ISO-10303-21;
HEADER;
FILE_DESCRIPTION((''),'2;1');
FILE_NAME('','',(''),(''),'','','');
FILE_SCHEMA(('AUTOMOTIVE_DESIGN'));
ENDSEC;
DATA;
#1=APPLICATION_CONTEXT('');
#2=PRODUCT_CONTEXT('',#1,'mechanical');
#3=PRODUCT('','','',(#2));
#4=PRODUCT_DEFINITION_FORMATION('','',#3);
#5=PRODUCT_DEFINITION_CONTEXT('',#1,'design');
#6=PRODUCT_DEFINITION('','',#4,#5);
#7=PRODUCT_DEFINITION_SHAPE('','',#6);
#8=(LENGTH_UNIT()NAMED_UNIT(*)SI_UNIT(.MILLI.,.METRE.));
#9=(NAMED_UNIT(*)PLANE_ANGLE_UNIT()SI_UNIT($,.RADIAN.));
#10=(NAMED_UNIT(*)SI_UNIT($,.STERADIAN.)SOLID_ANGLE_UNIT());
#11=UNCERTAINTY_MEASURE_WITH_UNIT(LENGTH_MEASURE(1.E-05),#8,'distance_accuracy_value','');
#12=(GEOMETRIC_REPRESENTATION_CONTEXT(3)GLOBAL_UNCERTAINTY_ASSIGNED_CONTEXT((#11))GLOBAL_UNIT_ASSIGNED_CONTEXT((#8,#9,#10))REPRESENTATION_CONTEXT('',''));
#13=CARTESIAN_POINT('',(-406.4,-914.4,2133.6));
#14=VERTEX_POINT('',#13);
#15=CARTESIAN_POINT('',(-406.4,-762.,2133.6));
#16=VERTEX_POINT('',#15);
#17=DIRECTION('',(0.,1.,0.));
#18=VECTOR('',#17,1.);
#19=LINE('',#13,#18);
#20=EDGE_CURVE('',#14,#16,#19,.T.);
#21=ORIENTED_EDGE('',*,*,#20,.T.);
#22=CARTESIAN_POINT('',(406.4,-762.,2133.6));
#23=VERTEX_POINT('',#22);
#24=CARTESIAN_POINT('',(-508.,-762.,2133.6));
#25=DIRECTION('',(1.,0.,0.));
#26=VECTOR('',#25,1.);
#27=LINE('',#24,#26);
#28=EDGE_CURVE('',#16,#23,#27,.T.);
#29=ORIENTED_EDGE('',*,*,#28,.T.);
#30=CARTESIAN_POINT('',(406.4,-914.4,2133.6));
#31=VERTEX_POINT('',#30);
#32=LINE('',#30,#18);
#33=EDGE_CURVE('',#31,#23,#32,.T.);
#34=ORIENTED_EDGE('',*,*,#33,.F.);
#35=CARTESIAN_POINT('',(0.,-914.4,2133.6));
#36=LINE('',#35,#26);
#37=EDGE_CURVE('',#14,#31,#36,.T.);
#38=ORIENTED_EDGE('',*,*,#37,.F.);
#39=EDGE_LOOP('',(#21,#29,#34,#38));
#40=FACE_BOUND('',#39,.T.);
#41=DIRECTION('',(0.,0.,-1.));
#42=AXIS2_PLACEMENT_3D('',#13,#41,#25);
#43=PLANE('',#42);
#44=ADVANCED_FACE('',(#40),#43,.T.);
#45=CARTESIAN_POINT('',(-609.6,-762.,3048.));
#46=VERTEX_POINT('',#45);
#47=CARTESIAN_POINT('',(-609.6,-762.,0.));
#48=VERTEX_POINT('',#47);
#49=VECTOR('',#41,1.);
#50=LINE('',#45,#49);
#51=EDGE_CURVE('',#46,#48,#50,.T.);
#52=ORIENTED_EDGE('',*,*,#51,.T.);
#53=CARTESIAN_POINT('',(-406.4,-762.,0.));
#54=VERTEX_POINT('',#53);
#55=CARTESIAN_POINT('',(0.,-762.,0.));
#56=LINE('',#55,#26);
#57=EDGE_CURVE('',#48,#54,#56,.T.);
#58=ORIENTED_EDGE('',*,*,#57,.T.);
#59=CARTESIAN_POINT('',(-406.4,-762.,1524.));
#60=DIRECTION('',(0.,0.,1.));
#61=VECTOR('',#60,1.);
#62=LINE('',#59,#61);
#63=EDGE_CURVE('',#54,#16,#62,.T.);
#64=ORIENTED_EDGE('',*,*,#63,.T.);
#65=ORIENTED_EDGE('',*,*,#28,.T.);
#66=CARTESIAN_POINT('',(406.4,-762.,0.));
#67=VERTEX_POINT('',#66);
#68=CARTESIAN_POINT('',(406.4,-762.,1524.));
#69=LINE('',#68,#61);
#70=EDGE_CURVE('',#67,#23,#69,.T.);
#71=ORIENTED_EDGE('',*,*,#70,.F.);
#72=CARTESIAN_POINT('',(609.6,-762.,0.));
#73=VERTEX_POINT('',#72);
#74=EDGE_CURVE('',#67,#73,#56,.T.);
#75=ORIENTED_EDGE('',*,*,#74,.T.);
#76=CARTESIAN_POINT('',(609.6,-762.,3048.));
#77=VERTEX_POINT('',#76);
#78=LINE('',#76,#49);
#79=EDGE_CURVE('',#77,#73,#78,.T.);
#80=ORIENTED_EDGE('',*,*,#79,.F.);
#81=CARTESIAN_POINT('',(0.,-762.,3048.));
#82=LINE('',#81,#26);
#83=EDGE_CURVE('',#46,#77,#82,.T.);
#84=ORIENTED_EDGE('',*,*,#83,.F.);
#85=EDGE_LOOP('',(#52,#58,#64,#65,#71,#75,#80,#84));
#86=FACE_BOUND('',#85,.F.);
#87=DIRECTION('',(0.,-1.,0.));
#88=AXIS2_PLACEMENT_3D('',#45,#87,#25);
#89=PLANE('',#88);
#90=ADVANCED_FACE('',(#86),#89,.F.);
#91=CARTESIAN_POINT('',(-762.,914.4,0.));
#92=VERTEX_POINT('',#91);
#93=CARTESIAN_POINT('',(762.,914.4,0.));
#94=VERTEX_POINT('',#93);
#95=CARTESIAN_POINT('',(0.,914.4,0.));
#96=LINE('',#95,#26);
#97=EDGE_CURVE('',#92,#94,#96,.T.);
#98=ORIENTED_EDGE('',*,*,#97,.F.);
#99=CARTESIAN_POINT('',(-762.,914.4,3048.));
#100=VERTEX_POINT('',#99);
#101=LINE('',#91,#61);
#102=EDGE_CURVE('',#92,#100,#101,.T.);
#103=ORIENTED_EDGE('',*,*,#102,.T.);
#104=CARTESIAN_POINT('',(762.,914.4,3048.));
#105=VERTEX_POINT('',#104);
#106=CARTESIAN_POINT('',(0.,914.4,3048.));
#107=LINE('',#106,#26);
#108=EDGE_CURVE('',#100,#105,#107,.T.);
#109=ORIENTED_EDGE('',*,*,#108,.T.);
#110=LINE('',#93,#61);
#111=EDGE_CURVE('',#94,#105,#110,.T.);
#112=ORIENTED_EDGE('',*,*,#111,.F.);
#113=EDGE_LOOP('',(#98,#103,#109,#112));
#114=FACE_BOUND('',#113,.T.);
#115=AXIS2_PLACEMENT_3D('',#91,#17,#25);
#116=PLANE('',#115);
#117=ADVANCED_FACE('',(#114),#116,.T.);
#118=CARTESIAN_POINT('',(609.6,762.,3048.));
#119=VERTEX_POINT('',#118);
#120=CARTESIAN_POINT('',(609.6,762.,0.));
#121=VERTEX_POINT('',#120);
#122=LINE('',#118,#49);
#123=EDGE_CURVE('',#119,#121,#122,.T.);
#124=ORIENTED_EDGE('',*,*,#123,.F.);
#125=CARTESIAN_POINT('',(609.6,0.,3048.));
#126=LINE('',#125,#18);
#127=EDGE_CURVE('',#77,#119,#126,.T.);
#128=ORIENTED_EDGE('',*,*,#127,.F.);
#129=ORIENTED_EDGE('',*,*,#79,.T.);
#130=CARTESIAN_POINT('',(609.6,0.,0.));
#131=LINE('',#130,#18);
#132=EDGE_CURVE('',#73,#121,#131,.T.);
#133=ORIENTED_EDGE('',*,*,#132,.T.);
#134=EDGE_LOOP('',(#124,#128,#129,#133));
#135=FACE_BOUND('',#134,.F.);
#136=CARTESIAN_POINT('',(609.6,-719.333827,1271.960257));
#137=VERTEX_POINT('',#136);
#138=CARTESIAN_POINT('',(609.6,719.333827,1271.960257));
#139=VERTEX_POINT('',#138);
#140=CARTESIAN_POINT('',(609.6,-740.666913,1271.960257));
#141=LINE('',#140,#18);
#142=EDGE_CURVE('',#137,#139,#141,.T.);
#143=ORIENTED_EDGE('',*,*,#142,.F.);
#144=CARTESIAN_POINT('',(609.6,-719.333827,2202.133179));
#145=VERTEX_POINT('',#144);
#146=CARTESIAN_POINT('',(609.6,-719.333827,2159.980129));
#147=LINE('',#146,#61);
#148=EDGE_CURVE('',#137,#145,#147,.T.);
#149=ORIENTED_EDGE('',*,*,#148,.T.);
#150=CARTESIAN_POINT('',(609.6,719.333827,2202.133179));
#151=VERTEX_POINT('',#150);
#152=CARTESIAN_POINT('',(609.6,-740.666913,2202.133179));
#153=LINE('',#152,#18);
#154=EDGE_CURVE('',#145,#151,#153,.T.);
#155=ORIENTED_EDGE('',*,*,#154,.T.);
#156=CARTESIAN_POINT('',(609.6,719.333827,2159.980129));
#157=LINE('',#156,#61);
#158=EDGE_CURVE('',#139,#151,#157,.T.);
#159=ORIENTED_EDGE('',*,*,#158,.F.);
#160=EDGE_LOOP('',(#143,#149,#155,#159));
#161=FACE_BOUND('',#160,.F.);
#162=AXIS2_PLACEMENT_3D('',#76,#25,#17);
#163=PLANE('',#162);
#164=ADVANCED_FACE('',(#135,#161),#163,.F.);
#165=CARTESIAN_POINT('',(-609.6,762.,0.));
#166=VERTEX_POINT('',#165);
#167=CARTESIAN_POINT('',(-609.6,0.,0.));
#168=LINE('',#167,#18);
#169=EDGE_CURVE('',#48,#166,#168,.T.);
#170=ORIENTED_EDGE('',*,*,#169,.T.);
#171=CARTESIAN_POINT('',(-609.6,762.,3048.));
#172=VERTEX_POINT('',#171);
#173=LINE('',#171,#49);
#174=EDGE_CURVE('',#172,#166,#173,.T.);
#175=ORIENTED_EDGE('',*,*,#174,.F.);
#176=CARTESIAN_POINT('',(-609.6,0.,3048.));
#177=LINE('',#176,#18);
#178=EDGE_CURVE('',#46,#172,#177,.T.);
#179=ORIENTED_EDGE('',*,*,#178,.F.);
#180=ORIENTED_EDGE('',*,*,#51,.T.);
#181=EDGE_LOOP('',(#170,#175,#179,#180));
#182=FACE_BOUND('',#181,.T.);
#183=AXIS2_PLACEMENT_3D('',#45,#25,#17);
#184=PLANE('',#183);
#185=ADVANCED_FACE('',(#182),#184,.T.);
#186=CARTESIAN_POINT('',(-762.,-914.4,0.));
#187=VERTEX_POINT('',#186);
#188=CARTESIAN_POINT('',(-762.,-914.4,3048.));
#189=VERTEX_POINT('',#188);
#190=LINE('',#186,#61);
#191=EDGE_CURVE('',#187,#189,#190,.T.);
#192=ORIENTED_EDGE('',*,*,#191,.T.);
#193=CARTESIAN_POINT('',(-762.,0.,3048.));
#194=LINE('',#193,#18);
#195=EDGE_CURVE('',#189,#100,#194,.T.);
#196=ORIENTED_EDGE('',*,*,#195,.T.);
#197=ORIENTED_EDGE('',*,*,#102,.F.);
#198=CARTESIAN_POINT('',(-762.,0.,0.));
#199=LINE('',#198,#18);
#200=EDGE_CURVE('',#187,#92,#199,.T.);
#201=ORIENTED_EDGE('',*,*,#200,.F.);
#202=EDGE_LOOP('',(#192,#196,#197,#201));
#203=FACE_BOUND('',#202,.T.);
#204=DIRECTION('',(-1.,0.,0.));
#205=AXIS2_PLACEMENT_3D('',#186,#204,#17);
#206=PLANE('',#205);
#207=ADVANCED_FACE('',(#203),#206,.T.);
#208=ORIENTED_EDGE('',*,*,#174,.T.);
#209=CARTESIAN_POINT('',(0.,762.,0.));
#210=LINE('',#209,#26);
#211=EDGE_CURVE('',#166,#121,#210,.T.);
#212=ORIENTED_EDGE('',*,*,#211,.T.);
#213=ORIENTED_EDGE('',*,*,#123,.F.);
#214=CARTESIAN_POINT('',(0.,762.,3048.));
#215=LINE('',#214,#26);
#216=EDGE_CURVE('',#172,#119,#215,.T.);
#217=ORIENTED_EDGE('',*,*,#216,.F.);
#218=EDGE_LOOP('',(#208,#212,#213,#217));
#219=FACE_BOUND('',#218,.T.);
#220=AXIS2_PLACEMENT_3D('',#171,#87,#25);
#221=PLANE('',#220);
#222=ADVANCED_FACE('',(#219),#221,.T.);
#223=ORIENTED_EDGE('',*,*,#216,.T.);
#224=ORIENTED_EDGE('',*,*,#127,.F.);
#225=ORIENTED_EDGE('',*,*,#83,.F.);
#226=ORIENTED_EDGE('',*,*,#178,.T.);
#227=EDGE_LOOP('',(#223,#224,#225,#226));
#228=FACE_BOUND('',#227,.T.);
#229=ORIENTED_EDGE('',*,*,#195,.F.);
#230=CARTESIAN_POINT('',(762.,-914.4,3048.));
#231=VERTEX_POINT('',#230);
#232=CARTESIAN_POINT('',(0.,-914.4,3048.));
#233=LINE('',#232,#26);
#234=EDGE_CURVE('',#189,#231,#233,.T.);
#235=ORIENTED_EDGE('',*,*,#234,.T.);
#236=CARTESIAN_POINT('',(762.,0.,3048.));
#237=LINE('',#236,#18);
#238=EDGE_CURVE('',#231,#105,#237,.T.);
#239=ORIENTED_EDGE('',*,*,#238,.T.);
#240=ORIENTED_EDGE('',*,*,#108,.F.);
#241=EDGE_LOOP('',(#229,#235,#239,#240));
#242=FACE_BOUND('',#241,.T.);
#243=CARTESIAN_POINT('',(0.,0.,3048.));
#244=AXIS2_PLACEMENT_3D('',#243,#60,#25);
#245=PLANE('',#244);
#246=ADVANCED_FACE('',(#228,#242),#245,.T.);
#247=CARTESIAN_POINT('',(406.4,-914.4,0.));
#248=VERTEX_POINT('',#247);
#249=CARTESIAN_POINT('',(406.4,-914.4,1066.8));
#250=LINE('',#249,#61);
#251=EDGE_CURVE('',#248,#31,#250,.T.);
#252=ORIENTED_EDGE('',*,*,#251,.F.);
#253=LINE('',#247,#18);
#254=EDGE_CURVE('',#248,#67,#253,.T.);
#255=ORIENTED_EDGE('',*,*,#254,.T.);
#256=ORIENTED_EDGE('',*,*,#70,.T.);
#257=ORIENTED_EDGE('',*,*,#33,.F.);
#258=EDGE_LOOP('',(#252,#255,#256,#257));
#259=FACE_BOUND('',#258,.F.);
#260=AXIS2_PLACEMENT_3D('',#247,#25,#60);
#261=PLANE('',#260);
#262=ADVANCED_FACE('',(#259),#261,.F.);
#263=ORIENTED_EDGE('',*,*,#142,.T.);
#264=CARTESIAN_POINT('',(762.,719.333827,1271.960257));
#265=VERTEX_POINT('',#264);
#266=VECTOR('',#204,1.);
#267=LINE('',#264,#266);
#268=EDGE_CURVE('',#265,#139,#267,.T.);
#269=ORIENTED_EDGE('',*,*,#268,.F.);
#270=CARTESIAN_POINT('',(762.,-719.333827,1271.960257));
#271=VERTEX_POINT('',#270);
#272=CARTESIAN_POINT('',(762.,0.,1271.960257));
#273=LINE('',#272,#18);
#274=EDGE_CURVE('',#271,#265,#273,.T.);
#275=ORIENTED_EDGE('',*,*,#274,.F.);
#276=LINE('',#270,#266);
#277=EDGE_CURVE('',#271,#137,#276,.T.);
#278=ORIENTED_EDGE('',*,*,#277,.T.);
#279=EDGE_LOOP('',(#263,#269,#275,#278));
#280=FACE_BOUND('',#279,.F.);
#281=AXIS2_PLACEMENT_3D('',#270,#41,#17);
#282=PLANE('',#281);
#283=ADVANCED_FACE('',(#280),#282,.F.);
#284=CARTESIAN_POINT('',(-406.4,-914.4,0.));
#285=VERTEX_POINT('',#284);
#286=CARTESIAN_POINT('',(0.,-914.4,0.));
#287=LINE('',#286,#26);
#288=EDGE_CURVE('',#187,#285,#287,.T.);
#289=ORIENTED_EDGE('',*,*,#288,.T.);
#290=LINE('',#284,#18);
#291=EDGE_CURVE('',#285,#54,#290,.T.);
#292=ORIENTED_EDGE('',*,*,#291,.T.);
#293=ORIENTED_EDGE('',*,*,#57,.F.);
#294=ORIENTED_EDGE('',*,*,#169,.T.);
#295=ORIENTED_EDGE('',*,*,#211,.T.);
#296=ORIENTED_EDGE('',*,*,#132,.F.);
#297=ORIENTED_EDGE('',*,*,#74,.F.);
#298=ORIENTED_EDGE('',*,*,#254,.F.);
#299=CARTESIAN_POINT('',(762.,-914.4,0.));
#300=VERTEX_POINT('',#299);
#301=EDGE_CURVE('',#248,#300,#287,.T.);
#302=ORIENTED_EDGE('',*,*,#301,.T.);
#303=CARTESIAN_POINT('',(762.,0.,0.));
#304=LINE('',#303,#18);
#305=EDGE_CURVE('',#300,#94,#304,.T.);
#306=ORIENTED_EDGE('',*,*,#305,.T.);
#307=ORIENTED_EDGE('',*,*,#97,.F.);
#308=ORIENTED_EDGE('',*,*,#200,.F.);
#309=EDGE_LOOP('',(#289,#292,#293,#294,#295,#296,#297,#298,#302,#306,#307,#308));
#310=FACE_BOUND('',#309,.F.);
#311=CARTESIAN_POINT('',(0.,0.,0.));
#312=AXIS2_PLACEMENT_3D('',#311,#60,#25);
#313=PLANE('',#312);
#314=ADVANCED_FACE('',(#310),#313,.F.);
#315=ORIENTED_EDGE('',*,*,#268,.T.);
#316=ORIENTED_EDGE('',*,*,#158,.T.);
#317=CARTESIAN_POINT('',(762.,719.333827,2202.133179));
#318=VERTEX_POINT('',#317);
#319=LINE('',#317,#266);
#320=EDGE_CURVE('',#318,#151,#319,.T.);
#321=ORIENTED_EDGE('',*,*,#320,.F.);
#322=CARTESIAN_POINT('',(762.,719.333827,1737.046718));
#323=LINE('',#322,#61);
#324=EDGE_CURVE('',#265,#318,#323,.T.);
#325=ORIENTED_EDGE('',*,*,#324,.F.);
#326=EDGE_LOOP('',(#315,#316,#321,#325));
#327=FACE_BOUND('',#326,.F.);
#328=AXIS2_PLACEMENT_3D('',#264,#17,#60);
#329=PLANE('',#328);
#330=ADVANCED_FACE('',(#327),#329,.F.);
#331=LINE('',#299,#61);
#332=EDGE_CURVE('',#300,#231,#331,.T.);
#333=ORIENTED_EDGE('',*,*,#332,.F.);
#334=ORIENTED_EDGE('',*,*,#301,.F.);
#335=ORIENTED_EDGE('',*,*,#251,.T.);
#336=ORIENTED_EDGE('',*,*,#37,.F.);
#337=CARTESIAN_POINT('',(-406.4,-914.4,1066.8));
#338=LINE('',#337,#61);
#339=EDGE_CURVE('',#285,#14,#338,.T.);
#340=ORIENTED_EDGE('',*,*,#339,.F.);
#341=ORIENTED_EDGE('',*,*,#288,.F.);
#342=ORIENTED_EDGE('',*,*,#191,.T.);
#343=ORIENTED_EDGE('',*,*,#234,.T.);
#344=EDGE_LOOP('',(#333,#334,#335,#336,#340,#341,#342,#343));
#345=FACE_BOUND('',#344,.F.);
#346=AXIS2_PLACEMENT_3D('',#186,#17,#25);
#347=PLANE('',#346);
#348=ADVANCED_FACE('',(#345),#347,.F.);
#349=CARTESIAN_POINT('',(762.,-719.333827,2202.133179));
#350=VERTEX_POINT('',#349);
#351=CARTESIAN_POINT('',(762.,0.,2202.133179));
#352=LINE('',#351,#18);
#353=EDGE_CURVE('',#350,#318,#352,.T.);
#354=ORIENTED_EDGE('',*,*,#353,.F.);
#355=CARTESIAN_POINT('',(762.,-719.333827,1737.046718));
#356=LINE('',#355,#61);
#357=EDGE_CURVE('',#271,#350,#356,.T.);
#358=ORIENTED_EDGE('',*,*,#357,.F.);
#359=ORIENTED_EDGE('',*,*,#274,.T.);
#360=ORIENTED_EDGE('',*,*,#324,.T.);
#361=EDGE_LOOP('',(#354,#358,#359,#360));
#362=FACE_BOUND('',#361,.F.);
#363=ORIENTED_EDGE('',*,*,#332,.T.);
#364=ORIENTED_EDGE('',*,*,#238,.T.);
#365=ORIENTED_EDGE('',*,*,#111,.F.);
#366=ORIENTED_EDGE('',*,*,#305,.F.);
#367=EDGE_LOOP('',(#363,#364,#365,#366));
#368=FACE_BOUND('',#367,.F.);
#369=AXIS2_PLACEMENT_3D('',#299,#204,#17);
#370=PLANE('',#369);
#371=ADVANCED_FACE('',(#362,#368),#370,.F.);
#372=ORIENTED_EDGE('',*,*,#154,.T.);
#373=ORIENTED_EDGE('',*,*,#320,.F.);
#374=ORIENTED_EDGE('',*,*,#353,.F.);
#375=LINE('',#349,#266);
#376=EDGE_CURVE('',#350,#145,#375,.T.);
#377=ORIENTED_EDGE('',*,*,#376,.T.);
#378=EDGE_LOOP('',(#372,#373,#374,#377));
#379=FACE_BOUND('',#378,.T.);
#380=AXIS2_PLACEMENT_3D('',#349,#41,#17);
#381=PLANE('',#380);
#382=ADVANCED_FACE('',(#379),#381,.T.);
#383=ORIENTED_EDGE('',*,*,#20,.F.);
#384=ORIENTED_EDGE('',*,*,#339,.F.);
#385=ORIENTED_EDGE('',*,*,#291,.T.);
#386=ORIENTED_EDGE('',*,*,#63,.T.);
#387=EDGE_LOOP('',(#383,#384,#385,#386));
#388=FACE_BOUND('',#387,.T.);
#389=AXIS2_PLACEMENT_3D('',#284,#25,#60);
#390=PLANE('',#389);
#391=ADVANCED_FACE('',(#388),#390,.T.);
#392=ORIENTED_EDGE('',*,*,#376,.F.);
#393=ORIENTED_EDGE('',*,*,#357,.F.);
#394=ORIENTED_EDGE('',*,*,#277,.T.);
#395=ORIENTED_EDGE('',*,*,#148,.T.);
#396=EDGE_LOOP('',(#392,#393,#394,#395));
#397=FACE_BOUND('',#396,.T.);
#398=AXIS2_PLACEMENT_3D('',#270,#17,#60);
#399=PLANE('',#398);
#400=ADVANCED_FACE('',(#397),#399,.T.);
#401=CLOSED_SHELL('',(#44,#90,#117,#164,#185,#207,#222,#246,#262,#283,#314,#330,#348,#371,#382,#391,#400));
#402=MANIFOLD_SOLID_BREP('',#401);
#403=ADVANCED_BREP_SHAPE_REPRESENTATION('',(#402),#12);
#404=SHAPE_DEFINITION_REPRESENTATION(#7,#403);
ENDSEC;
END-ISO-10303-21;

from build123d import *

# Parameters (mm, degrees)
F0_W     = 1524
F0_H     = 1828.8
F1_DEPTH = 3048
F2_W     = 1219.2
F2_H     = 1524
F3_DEPTH = 3048
F4_W     = 812.8
F4_H     = 2133.6
F5_DEPTH = 203.2
F6_W     = 1438.667654
F6_H     = 930.172921
F7_DEPTH = 203.2


with BuildPart() as f1:
    # F0 (on Top) → F1 (new body)
    with BuildSketch(Plane.XY):
        Rectangle(F0_W, F0_H)
    extrude(amount=F1_DEPTH)

    # F2 (on face) → F3 (cut)
    with BuildSketch(Plane.XY.offset(3048)):
        Rectangle(F2_W, F2_H)
    extrude(amount=-F3_DEPTH, mode=Mode.SUBTRACT)

    # F4 (on face) → F5 (cut)
    with BuildSketch(Plane.XZ.offset(914.4)):
        with Locations((0, 1066.8)):
            Rectangle(F4_W, F4_H)
    extrude(amount=-F5_DEPTH, mode=Mode.SUBTRACT)

    # F6 (on face) → F7 (cut)
    with BuildSketch(Plane.YZ.offset(762)):
        with Locations((0, 1737.046718)):
            Rectangle(F6_W, F6_H)
    extrude(amount=-F7_DEPTH, mode=Mode.SUBTRACT)


solid = f1.part
